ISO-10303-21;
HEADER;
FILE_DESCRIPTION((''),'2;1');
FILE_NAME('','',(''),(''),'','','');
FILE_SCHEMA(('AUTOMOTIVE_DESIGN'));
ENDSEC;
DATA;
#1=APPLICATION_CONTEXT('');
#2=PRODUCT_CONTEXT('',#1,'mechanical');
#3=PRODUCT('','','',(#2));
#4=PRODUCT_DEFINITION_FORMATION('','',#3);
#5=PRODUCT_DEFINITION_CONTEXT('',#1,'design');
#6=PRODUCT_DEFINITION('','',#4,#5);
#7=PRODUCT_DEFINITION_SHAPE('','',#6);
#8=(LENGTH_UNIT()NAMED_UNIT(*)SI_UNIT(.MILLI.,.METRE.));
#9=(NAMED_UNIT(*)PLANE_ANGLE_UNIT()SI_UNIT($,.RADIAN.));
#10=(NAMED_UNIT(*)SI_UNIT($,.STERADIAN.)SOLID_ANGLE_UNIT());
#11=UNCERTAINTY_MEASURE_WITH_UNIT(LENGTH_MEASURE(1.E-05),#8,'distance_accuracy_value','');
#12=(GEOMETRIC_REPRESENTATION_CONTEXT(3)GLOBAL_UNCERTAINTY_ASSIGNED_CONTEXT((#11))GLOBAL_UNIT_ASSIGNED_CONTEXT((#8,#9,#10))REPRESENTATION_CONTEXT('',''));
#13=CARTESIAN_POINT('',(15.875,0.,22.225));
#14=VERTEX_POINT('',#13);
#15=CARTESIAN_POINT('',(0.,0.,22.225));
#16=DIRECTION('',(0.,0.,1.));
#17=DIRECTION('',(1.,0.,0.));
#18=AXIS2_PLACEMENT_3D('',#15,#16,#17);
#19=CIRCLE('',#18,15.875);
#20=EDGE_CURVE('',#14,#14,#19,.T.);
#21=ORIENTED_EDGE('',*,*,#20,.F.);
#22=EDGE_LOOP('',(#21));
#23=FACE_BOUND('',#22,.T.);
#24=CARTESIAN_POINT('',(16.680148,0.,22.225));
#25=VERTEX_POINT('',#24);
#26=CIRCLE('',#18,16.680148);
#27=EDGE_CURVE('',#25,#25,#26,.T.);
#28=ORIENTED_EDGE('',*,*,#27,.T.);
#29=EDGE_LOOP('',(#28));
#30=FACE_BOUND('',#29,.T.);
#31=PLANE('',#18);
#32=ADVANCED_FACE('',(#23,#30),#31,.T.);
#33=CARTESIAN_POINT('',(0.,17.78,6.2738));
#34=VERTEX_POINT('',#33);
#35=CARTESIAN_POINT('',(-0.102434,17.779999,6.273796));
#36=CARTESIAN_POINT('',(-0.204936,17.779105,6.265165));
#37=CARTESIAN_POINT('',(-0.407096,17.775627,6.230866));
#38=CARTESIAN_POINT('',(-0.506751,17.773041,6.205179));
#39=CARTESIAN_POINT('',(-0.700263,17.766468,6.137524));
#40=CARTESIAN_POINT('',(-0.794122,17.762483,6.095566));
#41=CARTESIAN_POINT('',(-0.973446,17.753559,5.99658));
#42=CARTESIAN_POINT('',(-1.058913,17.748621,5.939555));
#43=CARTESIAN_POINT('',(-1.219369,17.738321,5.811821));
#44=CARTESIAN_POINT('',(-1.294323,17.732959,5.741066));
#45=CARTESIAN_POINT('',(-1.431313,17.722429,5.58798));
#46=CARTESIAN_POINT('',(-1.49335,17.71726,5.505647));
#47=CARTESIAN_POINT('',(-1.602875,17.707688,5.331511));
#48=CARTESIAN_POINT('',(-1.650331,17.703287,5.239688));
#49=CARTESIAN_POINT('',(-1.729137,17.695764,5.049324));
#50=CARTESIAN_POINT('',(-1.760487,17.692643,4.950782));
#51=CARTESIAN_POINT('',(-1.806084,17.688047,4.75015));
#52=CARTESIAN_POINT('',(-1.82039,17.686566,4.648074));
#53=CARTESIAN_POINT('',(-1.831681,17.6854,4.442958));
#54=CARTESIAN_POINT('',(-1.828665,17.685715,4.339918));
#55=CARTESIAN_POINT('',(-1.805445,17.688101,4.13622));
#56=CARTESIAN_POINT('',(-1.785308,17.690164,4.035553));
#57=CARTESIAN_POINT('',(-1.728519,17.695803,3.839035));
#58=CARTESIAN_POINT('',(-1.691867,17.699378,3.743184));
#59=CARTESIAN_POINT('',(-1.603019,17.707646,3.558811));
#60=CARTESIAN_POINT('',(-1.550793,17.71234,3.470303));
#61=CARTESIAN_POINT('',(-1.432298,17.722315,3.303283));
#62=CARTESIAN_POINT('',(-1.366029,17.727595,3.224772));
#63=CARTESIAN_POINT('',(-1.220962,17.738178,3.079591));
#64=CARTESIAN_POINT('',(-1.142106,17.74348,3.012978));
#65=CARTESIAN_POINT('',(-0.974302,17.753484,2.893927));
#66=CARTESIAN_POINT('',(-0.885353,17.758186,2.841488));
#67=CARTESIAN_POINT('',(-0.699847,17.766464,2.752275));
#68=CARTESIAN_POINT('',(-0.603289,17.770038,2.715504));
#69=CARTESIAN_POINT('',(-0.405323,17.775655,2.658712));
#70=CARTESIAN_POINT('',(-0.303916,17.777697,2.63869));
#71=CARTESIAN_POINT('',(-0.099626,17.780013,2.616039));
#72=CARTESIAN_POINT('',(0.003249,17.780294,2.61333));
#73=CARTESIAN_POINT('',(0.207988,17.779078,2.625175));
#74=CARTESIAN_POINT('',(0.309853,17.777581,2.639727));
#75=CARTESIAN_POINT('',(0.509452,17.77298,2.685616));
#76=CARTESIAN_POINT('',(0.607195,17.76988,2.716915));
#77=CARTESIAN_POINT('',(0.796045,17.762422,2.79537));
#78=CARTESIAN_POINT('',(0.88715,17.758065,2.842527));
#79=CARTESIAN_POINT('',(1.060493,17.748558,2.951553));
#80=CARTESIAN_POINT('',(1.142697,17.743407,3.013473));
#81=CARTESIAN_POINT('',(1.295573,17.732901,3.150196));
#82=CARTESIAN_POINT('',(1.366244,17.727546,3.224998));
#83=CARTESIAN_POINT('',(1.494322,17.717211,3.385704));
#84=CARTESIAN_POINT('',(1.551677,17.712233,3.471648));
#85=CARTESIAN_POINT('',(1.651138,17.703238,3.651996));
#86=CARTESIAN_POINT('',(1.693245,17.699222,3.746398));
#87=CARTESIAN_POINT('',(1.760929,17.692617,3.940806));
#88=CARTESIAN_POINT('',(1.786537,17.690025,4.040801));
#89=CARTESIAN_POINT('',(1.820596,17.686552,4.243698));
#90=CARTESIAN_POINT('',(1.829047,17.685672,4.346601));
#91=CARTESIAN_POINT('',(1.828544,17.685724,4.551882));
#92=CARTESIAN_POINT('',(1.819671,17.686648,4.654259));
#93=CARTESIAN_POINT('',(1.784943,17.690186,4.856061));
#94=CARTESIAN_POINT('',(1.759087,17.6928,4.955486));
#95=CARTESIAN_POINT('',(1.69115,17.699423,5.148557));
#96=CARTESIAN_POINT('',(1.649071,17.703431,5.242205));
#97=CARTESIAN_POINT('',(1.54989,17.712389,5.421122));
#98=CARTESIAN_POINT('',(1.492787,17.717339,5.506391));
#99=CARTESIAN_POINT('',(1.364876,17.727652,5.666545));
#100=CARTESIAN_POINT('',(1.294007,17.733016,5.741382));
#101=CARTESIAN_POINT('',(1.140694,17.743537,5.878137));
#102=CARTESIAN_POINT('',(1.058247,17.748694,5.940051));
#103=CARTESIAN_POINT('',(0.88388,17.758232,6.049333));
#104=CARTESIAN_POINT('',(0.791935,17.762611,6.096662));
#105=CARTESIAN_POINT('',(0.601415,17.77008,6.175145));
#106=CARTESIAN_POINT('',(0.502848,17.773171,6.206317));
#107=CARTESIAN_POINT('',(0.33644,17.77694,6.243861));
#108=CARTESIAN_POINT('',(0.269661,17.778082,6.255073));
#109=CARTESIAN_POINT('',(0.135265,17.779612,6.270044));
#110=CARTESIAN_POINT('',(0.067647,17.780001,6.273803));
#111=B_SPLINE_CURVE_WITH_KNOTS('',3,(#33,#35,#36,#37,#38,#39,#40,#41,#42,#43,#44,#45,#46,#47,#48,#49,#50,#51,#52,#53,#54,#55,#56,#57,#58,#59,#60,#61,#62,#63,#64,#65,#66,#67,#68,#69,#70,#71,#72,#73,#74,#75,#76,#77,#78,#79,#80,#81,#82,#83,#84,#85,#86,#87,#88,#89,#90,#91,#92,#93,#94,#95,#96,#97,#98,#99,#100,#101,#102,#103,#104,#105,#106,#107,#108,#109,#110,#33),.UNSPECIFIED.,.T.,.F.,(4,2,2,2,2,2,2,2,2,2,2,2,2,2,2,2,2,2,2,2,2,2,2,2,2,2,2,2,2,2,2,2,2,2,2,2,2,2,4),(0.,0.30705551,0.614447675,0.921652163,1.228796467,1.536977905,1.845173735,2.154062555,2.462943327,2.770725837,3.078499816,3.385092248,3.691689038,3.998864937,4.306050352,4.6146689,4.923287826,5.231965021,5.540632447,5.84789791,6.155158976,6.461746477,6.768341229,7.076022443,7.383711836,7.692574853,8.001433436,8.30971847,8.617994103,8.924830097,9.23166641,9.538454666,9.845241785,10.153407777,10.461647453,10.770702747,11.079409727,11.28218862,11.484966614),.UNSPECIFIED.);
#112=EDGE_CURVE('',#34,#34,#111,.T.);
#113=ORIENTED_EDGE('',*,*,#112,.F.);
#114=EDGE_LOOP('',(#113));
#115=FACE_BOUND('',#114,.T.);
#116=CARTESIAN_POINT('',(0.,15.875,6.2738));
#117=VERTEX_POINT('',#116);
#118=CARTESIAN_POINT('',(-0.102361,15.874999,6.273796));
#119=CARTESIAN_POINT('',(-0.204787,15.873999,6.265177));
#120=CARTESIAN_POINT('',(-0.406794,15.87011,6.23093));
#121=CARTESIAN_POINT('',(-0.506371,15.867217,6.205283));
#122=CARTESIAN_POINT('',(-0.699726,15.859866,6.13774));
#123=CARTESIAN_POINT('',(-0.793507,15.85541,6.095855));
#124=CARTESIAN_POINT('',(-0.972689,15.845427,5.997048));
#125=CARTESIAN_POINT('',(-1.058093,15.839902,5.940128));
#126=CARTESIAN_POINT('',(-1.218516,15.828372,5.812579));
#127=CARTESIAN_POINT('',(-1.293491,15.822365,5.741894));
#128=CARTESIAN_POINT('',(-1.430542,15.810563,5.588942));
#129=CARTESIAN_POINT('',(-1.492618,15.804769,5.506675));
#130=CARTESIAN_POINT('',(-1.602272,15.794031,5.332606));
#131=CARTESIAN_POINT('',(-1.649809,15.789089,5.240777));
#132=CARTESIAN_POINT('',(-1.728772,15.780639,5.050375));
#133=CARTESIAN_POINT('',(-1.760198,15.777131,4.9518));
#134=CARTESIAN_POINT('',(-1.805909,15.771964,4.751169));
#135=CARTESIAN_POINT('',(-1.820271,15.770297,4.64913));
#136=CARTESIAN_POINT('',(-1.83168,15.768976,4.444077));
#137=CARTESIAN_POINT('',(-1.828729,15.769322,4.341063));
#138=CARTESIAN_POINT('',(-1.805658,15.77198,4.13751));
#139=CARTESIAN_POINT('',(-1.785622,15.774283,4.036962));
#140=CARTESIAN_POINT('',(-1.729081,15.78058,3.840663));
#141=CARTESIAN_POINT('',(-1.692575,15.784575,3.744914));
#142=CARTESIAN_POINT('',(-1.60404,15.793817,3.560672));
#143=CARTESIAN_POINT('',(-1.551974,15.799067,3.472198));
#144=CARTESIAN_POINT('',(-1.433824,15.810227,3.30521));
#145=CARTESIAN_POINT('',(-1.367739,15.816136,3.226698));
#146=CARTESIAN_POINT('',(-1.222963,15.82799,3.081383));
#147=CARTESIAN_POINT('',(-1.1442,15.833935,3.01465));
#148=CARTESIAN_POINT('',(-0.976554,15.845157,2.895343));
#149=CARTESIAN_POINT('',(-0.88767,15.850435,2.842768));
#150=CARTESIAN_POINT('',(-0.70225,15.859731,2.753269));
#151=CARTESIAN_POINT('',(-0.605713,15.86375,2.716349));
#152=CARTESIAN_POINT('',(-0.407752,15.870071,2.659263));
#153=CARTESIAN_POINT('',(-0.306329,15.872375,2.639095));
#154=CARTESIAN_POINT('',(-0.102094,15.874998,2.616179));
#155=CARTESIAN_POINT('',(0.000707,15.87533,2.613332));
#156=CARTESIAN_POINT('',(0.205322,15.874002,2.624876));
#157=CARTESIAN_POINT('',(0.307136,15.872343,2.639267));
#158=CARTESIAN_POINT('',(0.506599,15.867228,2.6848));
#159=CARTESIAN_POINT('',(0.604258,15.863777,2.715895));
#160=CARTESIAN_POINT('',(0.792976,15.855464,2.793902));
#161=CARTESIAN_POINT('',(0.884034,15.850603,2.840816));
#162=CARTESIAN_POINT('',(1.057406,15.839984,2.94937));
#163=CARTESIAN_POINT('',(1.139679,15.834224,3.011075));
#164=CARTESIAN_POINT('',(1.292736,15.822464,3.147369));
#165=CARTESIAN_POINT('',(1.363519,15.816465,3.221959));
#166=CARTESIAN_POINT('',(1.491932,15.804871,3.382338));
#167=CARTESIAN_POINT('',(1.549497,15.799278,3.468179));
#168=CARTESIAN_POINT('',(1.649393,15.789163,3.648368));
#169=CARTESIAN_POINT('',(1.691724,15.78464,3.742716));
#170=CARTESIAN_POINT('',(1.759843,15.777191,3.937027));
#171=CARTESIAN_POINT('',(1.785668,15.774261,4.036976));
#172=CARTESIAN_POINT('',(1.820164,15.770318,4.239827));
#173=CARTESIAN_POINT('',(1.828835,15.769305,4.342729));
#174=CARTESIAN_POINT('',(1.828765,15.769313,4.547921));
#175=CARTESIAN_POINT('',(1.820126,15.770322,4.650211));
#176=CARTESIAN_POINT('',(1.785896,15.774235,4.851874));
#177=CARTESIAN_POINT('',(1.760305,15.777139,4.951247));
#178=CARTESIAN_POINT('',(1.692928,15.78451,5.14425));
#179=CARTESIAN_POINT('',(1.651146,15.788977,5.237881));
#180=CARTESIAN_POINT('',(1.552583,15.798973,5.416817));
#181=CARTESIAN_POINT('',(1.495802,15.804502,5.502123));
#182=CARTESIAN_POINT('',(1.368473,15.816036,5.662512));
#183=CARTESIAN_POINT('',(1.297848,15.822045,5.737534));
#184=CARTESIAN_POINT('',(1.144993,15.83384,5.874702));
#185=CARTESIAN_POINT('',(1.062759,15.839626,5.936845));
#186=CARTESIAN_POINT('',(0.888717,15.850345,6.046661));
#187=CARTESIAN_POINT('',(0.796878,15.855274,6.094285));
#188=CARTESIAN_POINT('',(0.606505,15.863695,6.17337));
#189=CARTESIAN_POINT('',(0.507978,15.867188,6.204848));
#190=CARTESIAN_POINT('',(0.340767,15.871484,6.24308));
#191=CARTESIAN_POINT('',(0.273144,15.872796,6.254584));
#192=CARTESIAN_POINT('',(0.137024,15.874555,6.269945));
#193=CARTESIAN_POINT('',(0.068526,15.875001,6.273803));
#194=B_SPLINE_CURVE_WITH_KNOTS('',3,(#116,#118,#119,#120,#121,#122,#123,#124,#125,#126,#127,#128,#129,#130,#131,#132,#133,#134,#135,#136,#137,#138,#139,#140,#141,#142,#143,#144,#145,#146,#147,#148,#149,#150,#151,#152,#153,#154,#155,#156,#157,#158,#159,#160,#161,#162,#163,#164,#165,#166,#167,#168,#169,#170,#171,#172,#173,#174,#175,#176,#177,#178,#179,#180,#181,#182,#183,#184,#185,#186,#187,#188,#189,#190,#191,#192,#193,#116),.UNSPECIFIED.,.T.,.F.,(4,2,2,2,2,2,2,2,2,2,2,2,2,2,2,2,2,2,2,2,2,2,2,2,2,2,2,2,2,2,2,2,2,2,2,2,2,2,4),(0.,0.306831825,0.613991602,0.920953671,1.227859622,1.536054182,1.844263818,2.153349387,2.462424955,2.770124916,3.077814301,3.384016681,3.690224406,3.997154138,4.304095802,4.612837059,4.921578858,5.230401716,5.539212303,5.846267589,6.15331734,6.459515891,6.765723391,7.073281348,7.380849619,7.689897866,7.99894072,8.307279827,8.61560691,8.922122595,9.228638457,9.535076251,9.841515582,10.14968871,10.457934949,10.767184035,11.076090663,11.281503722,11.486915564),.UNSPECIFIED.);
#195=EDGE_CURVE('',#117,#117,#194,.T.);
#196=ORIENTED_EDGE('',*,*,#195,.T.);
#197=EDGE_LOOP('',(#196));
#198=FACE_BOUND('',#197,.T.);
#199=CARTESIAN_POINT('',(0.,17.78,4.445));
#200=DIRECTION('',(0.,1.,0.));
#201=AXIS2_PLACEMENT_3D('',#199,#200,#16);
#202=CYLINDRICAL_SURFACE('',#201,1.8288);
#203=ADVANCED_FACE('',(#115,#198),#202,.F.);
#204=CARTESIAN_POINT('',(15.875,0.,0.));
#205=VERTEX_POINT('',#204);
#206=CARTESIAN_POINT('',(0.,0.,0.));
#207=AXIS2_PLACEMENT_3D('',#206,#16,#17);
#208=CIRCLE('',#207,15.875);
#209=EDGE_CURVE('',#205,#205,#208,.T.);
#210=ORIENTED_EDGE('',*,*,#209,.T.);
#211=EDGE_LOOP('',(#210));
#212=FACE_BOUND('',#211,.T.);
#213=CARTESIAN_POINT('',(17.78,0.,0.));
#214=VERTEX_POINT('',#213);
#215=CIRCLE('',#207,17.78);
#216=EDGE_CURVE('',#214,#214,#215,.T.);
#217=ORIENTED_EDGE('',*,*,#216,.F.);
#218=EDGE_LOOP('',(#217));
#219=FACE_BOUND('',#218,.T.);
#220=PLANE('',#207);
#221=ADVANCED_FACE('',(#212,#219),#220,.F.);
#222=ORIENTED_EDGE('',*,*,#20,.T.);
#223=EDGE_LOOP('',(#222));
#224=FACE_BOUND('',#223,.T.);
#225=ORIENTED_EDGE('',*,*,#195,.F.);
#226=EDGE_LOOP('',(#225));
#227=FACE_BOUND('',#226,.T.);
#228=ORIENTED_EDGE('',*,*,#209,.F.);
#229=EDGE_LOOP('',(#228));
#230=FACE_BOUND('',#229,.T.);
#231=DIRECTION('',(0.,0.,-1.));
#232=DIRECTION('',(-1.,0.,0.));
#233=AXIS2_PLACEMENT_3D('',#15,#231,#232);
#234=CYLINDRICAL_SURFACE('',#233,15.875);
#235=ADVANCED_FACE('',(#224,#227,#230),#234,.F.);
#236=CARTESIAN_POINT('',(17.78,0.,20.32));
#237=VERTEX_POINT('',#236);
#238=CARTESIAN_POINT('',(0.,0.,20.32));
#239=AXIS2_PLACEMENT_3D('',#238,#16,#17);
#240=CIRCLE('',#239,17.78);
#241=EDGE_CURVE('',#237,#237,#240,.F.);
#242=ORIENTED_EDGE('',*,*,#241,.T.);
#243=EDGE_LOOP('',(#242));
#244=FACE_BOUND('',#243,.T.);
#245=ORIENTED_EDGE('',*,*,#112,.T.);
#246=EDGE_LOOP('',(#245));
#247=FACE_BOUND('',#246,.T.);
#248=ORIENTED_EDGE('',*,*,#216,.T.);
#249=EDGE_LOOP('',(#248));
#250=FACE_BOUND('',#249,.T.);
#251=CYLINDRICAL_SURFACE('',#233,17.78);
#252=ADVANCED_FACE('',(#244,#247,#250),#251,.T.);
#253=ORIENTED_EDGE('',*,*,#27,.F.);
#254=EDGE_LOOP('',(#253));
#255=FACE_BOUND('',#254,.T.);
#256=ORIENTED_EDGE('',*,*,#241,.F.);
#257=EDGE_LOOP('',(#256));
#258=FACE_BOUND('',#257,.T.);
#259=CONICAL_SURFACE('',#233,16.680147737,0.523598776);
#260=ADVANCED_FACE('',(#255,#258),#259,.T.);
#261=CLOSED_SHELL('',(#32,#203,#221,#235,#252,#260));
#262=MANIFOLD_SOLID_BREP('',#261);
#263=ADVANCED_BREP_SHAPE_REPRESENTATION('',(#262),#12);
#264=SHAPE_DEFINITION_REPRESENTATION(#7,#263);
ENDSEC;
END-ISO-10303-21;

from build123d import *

# Parameters (mm, degrees)
SKETCH1_R                       = 17.78
SKETCH1_R_2                     = 15.875
BOSS_EXTRUDE1_DEPTH             = 22.225
CHAMFER4_SIZE                   = 1.905
CHAMFER4_SIZE2                  = 1.099852263
F_27_0_144_DIAMETER_HOLE1_D     = 3.6576
F_27_0_144_DIAMETER_HOLE1_DEPTH = 25.4
F_27_0_144_DIAMETER_HOLE1_TIP   = 1.0988539


with BuildPart() as part:
    # Sketch1 → Boss-Extrude1 (new body)
    with BuildSketch(Plane.XY):
        Circle(SKETCH1_R)
        Circle(SKETCH1_R_2, mode=Mode.SUBTRACT)
    extrude(amount=BOSS_EXTRUDE1_DEPTH)

    # Chamfer4
    chamfer4_edges = [part.edges().sort_by_distance(p)[0] for p in [
        (-17.78, 0, 22.225),
    ]]
    chamfer4_side = [part.faces().sort_by_distance(p)[0] for p in [
        (-17.78, 0, 11.1125),
    ]]
    chamfer(chamfer4_edges, length=CHAMFER4_SIZE, length2=CHAMFER4_SIZE2, reference=chamfer4_side[0])

    # #27 (0.144) Diameter Hole1
    with Locations(Plane(origin=(0, 17.78, 4.445), x_dir=(1, 0, 0), z_dir=(0, 1, 0))):
        with Locations((0, 0)):
            Hole(F_27_0_144_DIAMETER_HOLE1_D / 2, depth=F_27_0_144_DIAMETER_HOLE1_DEPTH)
            with Locations((0, 0, -(F_27_0_144_DIAMETER_HOLE1_DEPTH + F_27_0_144_DIAMETER_HOLE1_TIP / 2))):  # 118° drill point
                Cone(0, F_27_0_144_DIAMETER_HOLE1_D / 2, F_27_0_144_DIAMETER_HOLE1_TIP, mode=Mode.SUBTRACT)


solid = part.part
